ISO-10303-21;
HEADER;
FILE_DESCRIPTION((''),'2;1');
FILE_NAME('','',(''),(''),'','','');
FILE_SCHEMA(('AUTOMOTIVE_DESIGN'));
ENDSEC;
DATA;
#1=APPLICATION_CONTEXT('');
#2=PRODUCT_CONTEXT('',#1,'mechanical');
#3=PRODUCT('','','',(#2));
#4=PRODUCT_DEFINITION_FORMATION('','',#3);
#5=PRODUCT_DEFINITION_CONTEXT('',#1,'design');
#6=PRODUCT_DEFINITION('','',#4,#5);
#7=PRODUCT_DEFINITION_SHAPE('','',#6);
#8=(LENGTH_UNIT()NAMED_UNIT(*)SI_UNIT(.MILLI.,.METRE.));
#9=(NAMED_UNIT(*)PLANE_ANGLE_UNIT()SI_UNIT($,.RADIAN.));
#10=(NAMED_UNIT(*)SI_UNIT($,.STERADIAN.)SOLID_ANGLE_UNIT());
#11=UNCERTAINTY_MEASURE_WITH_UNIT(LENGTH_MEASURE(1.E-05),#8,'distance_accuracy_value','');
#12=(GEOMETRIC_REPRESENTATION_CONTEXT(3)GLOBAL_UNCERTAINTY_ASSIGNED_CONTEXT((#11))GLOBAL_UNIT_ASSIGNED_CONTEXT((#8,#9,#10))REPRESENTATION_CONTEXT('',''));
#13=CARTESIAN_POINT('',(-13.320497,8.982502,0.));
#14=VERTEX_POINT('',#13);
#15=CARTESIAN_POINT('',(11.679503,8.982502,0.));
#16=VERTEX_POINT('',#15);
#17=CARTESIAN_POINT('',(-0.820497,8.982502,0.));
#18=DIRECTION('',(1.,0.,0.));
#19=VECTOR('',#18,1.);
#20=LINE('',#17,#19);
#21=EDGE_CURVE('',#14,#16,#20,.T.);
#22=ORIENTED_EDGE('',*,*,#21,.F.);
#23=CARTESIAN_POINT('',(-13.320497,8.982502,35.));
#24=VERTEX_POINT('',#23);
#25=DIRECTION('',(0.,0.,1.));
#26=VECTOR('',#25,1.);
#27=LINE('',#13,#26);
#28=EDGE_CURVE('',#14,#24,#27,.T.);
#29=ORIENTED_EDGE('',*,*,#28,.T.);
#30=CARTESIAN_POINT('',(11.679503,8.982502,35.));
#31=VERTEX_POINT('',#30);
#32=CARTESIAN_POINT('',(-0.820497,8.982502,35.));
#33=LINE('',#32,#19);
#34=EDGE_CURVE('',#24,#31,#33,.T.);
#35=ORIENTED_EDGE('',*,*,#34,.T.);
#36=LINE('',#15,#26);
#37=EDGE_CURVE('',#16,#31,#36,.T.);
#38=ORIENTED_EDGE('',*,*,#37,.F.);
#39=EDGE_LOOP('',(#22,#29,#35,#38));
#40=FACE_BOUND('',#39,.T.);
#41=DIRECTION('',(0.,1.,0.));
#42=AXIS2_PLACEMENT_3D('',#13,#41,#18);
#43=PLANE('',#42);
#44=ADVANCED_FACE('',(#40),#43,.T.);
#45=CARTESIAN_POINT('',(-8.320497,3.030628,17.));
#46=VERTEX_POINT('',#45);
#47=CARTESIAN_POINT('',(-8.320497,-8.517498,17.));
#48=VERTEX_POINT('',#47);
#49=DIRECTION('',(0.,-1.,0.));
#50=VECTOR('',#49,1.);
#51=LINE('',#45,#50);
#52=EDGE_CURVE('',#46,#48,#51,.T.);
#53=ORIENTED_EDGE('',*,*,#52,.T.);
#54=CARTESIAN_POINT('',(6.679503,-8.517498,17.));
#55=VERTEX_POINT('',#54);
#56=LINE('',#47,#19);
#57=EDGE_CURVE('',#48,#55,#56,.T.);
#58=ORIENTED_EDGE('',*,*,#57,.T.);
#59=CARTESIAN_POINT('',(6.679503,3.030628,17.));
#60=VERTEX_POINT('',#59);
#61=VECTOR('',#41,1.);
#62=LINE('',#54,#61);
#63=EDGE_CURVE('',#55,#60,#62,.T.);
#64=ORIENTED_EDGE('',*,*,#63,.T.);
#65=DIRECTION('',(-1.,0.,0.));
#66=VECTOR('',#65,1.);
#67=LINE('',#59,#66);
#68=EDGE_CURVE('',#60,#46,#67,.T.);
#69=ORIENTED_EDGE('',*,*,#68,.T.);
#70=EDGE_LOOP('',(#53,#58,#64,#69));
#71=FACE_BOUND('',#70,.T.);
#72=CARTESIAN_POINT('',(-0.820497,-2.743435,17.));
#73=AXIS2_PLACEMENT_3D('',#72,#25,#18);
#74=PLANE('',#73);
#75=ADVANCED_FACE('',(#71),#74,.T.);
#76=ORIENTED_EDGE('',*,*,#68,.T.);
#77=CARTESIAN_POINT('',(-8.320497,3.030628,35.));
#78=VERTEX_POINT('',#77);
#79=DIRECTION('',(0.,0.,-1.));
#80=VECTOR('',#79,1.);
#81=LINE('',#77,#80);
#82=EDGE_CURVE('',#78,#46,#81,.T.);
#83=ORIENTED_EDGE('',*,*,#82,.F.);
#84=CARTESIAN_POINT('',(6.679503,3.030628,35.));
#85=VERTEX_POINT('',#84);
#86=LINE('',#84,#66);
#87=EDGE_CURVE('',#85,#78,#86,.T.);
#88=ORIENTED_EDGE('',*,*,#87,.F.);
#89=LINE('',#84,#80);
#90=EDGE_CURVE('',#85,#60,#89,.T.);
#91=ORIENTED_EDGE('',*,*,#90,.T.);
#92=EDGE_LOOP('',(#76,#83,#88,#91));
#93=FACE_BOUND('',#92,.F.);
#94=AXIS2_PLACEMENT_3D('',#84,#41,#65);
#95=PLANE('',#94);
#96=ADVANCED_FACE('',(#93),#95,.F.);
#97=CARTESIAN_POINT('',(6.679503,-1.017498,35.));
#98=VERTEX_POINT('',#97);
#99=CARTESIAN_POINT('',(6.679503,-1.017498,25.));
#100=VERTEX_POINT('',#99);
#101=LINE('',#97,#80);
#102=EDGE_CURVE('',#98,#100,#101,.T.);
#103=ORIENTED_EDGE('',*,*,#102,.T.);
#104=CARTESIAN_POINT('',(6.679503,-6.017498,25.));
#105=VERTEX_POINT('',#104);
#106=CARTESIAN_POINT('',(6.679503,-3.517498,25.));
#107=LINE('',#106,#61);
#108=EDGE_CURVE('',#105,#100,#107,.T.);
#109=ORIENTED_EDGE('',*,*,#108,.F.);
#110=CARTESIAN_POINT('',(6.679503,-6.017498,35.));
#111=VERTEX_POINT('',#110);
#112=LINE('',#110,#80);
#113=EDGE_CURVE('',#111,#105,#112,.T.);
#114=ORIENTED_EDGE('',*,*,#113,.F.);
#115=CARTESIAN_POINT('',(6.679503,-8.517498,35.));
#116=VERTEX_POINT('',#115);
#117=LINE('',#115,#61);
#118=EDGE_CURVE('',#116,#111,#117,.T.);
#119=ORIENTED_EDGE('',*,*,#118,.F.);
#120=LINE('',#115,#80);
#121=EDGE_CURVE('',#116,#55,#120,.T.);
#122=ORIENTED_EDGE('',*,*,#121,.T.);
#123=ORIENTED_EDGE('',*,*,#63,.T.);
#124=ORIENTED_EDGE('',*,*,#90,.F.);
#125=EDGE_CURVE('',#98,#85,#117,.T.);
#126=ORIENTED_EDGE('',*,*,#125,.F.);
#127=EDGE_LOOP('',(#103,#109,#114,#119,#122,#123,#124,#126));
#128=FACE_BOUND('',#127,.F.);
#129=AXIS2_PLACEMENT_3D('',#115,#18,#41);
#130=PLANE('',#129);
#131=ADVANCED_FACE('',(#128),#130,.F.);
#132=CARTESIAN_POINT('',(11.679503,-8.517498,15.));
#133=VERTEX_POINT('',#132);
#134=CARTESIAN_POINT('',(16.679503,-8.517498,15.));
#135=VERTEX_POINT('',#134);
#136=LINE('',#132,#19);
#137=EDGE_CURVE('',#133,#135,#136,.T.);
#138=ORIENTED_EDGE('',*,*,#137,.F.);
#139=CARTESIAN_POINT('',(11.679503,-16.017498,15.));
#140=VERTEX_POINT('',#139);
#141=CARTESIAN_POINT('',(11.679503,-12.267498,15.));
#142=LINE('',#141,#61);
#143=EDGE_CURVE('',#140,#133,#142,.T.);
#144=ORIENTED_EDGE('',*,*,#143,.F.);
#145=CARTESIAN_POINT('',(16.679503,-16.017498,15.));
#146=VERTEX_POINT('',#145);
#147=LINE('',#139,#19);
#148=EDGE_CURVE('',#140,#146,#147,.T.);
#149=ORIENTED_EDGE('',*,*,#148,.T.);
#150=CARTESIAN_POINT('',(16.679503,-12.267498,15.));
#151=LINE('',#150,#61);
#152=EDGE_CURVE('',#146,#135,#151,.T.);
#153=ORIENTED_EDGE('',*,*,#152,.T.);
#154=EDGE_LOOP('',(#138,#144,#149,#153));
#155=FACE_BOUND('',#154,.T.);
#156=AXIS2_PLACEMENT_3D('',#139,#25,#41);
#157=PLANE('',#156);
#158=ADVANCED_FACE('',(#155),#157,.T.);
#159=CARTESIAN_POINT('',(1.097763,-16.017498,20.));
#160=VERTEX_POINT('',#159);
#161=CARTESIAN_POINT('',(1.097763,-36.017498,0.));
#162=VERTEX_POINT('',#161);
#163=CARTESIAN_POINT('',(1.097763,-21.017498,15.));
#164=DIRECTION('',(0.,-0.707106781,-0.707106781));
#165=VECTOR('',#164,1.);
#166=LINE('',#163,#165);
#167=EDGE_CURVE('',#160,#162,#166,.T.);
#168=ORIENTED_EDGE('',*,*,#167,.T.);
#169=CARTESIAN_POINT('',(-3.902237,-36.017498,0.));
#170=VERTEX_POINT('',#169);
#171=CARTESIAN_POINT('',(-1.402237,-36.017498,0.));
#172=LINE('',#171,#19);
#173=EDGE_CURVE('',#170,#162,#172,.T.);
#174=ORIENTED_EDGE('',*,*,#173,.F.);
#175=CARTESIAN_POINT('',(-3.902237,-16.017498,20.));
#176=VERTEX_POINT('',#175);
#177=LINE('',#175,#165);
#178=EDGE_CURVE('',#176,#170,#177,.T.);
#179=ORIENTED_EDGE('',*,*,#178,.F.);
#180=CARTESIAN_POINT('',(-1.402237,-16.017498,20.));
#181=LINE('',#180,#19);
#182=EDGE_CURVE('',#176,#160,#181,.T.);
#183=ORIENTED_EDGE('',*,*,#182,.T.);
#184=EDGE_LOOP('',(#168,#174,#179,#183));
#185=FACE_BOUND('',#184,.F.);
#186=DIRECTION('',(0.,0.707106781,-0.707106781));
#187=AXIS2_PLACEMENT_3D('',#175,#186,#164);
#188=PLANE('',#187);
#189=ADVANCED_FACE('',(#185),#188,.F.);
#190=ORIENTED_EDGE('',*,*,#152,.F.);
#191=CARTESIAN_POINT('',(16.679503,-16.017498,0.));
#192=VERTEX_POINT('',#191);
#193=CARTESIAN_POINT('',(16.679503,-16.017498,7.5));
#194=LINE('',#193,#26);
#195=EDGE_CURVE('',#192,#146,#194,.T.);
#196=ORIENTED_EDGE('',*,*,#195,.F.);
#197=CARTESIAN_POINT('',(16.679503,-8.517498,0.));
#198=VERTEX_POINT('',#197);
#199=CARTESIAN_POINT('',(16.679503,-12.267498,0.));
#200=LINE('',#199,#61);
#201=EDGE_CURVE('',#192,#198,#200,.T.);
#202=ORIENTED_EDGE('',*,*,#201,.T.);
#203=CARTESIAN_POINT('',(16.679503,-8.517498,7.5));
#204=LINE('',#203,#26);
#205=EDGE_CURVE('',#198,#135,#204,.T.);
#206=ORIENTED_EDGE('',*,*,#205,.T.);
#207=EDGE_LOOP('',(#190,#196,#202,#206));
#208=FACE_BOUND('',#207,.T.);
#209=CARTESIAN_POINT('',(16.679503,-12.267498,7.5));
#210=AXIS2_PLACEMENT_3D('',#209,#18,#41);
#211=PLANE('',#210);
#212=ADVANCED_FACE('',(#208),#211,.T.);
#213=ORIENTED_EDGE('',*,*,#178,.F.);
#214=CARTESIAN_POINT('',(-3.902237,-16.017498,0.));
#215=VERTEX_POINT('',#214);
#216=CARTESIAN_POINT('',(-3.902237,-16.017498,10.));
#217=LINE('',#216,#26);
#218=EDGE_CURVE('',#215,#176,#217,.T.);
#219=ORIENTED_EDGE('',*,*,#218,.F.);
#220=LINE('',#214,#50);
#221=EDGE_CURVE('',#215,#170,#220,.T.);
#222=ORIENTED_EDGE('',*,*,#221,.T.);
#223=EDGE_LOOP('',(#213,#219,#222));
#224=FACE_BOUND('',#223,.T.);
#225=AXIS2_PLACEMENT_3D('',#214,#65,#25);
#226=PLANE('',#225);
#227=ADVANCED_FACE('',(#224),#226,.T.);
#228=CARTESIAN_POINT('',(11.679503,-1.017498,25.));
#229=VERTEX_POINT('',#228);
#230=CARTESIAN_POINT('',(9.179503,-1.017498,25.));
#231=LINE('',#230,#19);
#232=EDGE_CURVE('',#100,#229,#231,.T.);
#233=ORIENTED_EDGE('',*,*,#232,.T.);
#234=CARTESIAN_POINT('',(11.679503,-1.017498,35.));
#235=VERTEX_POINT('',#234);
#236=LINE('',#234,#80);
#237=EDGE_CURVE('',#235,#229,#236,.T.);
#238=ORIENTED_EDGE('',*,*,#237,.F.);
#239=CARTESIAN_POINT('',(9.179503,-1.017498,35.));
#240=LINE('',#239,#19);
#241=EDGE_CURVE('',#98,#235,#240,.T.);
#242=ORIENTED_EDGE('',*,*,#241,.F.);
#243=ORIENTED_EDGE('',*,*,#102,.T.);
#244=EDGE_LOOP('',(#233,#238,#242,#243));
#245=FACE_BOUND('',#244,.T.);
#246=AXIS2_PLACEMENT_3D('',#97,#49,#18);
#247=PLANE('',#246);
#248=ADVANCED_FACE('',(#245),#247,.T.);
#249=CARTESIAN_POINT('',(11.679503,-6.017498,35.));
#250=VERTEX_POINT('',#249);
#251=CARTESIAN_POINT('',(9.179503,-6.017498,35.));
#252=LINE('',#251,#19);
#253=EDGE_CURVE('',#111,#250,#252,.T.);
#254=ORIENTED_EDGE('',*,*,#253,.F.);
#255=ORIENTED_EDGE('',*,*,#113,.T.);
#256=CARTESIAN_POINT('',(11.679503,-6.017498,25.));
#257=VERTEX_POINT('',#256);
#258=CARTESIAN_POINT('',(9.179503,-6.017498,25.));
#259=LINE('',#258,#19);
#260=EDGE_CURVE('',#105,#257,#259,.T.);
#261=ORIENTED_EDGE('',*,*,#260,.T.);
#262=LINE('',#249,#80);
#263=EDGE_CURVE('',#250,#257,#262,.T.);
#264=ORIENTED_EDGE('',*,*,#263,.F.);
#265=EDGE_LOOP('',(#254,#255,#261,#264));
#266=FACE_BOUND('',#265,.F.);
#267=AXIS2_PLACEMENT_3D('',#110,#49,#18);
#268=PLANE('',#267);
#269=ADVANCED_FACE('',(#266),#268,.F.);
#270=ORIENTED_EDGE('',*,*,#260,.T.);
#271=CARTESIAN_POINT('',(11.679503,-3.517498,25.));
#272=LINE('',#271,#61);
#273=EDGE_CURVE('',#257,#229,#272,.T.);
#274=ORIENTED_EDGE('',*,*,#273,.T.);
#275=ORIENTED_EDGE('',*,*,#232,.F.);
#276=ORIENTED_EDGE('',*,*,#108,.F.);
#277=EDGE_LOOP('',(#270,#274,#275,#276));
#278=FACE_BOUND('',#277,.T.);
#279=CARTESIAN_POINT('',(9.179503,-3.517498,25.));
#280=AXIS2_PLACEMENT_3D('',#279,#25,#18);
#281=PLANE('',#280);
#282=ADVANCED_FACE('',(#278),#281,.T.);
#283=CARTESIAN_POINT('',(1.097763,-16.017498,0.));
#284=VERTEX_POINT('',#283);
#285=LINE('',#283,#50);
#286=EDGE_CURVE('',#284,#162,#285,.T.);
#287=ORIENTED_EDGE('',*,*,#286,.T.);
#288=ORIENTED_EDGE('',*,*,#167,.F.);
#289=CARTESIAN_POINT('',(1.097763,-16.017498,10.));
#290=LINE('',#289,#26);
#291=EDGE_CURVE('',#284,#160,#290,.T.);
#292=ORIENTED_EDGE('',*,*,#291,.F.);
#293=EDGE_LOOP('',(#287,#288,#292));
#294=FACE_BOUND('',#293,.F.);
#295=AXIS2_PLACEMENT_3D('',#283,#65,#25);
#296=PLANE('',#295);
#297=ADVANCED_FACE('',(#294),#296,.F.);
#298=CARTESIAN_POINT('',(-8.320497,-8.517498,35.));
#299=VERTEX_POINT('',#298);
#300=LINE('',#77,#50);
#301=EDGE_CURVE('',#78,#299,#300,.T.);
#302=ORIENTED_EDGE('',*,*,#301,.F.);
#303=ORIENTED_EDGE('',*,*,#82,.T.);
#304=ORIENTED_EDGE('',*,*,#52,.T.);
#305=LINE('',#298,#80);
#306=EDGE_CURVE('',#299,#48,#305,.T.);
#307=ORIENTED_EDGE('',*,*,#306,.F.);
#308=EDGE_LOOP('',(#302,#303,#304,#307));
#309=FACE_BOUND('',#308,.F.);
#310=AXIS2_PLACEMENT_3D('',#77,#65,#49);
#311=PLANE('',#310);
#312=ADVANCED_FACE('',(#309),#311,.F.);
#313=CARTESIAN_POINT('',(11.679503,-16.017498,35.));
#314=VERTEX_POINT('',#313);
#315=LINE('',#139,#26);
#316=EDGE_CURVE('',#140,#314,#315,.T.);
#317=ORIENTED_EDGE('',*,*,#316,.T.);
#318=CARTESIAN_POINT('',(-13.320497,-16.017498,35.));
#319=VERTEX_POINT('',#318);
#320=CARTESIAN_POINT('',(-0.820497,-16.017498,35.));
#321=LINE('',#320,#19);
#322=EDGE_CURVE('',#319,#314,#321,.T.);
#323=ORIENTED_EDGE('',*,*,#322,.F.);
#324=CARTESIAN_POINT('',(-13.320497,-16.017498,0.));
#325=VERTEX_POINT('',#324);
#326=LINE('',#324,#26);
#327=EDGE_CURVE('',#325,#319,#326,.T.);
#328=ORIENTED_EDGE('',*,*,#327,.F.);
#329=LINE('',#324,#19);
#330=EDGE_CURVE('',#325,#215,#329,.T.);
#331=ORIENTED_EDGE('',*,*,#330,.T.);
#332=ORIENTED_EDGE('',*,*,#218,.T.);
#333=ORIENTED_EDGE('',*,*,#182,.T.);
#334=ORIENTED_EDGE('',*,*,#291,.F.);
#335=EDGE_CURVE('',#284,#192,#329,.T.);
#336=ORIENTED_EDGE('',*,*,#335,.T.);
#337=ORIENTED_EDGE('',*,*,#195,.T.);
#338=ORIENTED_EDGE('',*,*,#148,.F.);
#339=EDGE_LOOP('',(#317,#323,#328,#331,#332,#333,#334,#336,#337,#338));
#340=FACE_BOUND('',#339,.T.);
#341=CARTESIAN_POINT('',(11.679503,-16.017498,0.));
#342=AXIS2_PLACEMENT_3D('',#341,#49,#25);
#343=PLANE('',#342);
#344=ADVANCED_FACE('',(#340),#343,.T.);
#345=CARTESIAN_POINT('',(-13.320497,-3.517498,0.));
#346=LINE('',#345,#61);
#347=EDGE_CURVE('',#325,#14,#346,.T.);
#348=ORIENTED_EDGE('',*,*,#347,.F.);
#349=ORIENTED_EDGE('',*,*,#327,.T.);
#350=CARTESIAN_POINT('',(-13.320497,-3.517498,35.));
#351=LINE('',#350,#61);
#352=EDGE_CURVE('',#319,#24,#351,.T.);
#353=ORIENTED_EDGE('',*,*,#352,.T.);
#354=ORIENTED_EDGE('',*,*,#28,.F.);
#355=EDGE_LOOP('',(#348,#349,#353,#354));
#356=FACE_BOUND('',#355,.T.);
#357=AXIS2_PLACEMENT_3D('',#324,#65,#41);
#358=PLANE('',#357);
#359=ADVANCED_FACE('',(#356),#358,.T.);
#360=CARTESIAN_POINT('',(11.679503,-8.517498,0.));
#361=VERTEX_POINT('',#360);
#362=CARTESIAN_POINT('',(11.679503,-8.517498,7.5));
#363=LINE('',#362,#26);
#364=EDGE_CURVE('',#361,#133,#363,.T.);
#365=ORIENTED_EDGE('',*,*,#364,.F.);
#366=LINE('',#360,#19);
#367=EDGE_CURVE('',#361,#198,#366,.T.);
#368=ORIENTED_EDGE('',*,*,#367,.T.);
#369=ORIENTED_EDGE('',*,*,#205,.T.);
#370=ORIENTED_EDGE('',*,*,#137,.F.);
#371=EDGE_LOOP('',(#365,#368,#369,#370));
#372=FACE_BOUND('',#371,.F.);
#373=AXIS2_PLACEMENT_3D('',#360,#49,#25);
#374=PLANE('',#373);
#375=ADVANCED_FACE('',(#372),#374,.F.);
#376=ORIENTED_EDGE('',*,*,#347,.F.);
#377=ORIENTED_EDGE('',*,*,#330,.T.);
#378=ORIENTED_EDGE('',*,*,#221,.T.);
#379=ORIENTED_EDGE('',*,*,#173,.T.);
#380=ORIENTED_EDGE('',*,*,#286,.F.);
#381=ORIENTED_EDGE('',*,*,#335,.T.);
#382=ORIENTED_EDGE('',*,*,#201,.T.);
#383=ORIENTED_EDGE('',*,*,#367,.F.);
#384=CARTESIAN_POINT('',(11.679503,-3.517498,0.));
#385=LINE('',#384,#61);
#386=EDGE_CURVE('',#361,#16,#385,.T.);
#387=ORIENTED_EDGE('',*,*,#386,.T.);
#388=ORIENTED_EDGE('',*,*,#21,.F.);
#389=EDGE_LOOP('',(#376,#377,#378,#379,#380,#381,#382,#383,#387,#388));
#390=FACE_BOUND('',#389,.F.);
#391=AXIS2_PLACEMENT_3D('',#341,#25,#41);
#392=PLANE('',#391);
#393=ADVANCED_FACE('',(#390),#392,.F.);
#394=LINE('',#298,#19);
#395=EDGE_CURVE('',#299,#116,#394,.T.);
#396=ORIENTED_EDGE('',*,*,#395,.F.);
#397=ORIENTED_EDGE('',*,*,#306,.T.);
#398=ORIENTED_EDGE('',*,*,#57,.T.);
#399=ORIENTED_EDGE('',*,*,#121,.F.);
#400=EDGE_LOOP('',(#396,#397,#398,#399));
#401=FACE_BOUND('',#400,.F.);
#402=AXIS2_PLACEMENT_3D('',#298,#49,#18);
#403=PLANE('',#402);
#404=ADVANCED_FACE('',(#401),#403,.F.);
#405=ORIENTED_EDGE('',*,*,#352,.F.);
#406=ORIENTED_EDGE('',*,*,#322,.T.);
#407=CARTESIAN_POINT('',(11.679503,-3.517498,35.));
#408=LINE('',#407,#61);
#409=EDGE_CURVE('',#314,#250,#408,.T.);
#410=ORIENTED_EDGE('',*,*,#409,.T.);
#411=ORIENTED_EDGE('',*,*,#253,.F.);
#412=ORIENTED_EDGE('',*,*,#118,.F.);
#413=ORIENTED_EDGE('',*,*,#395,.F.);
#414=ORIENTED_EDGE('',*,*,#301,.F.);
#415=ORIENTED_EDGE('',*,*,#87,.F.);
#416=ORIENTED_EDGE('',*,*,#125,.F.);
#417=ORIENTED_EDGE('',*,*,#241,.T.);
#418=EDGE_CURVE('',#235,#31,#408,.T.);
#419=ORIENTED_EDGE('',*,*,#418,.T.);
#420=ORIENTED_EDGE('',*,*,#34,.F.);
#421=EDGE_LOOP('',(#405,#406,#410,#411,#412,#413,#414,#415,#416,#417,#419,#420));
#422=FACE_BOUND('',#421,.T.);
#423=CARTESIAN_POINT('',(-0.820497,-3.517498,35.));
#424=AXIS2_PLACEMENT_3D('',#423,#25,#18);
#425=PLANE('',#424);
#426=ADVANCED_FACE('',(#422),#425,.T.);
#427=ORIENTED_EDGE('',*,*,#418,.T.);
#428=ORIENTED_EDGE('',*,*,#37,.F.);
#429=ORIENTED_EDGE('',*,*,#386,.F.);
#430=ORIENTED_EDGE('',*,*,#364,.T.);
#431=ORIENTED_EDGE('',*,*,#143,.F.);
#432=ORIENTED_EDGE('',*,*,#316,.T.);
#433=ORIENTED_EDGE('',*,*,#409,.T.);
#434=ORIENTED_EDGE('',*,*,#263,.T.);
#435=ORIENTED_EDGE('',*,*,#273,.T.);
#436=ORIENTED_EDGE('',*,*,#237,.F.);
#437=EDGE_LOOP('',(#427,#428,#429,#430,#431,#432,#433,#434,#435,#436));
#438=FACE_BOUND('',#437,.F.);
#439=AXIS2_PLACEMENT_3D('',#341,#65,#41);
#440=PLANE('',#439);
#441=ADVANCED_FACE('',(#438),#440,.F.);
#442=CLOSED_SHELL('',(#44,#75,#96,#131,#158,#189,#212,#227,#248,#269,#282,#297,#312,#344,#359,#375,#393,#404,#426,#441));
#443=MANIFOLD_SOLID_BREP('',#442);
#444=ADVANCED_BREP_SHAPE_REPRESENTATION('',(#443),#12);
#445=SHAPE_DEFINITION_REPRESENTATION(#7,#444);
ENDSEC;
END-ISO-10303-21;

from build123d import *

# Parameters (mm, degrees)
F0_W      = 25
F0_H      = 25
F1_DEPTH  = 35
F2_W      = 7.5
F2_H      = 15
F3_DEPTH  = 5
F4_W      = 5
F4_H      = 5
F5_DEPTH  = 10
F7_DEPTH  = 18
F8_W      = 5
F8_H      = 20
F9_DEPTH  = 20
F11_DEPTH = 29.5


with BuildPart() as f1:
    # F0 (on Top) → F1 (new body)
    with BuildSketch(Plane.XY):
        with Locations((-0.820497, -3.517498)):
            Rectangle(F0_W, F0_H)
    extrude(amount=F1_DEPTH)

    # F2 (on face) → F3 (join)
    with BuildSketch(Plane.YZ.offset(11.679503)):
        with Locations((-12.267498, 7.5)):
            Rectangle(F2_W, F2_H)
    extrude(amount=F3_DEPTH)

    # F4 (on face) → F5 (cut)
    with BuildSketch(Plane.XY.offset(35)):
        with Locations((9.179503, -3.517498)):
            Rectangle(F4_W, F4_H)
    extrude(amount=-F5_DEPTH, mode=Mode.SUBTRACT)

    # F6 (on face) → F7 (cut)
    with BuildSketch(Plane.XY.offset(35)):
        Polygon((6.679503, 3.030628), (-8.320497, 3.030628), (-8.320497, -8.517498), (6.679503, -8.517498), (6.679503, -6.017498), (6.679503, -1.017498), align=None)
    extrude(amount=-F7_DEPTH, mode=Mode.SUBTRACT)

    # F8 (on face) → F9 (join)
    with BuildSketch(Plane.XZ.offset(16.017498)):
        with Locations((-1.402237, 10)):
            Rectangle(F8_W, F8_H)
    extrude(amount=F9_DEPTH)

    # F10 (on face) → F11 (cut)
    with BuildSketch(Plane(origin=(-3.902237, 0, 0), x_dir=(0, -1, 0), z_dir=(-1, 0, 0))):
        Polygon((36.017498, 20), (16.017498, 20), (36.017498, 0), align=None)
    extrude(amount=-F11_DEPTH, mode=Mode.SUBTRACT)


solid = f1.part
